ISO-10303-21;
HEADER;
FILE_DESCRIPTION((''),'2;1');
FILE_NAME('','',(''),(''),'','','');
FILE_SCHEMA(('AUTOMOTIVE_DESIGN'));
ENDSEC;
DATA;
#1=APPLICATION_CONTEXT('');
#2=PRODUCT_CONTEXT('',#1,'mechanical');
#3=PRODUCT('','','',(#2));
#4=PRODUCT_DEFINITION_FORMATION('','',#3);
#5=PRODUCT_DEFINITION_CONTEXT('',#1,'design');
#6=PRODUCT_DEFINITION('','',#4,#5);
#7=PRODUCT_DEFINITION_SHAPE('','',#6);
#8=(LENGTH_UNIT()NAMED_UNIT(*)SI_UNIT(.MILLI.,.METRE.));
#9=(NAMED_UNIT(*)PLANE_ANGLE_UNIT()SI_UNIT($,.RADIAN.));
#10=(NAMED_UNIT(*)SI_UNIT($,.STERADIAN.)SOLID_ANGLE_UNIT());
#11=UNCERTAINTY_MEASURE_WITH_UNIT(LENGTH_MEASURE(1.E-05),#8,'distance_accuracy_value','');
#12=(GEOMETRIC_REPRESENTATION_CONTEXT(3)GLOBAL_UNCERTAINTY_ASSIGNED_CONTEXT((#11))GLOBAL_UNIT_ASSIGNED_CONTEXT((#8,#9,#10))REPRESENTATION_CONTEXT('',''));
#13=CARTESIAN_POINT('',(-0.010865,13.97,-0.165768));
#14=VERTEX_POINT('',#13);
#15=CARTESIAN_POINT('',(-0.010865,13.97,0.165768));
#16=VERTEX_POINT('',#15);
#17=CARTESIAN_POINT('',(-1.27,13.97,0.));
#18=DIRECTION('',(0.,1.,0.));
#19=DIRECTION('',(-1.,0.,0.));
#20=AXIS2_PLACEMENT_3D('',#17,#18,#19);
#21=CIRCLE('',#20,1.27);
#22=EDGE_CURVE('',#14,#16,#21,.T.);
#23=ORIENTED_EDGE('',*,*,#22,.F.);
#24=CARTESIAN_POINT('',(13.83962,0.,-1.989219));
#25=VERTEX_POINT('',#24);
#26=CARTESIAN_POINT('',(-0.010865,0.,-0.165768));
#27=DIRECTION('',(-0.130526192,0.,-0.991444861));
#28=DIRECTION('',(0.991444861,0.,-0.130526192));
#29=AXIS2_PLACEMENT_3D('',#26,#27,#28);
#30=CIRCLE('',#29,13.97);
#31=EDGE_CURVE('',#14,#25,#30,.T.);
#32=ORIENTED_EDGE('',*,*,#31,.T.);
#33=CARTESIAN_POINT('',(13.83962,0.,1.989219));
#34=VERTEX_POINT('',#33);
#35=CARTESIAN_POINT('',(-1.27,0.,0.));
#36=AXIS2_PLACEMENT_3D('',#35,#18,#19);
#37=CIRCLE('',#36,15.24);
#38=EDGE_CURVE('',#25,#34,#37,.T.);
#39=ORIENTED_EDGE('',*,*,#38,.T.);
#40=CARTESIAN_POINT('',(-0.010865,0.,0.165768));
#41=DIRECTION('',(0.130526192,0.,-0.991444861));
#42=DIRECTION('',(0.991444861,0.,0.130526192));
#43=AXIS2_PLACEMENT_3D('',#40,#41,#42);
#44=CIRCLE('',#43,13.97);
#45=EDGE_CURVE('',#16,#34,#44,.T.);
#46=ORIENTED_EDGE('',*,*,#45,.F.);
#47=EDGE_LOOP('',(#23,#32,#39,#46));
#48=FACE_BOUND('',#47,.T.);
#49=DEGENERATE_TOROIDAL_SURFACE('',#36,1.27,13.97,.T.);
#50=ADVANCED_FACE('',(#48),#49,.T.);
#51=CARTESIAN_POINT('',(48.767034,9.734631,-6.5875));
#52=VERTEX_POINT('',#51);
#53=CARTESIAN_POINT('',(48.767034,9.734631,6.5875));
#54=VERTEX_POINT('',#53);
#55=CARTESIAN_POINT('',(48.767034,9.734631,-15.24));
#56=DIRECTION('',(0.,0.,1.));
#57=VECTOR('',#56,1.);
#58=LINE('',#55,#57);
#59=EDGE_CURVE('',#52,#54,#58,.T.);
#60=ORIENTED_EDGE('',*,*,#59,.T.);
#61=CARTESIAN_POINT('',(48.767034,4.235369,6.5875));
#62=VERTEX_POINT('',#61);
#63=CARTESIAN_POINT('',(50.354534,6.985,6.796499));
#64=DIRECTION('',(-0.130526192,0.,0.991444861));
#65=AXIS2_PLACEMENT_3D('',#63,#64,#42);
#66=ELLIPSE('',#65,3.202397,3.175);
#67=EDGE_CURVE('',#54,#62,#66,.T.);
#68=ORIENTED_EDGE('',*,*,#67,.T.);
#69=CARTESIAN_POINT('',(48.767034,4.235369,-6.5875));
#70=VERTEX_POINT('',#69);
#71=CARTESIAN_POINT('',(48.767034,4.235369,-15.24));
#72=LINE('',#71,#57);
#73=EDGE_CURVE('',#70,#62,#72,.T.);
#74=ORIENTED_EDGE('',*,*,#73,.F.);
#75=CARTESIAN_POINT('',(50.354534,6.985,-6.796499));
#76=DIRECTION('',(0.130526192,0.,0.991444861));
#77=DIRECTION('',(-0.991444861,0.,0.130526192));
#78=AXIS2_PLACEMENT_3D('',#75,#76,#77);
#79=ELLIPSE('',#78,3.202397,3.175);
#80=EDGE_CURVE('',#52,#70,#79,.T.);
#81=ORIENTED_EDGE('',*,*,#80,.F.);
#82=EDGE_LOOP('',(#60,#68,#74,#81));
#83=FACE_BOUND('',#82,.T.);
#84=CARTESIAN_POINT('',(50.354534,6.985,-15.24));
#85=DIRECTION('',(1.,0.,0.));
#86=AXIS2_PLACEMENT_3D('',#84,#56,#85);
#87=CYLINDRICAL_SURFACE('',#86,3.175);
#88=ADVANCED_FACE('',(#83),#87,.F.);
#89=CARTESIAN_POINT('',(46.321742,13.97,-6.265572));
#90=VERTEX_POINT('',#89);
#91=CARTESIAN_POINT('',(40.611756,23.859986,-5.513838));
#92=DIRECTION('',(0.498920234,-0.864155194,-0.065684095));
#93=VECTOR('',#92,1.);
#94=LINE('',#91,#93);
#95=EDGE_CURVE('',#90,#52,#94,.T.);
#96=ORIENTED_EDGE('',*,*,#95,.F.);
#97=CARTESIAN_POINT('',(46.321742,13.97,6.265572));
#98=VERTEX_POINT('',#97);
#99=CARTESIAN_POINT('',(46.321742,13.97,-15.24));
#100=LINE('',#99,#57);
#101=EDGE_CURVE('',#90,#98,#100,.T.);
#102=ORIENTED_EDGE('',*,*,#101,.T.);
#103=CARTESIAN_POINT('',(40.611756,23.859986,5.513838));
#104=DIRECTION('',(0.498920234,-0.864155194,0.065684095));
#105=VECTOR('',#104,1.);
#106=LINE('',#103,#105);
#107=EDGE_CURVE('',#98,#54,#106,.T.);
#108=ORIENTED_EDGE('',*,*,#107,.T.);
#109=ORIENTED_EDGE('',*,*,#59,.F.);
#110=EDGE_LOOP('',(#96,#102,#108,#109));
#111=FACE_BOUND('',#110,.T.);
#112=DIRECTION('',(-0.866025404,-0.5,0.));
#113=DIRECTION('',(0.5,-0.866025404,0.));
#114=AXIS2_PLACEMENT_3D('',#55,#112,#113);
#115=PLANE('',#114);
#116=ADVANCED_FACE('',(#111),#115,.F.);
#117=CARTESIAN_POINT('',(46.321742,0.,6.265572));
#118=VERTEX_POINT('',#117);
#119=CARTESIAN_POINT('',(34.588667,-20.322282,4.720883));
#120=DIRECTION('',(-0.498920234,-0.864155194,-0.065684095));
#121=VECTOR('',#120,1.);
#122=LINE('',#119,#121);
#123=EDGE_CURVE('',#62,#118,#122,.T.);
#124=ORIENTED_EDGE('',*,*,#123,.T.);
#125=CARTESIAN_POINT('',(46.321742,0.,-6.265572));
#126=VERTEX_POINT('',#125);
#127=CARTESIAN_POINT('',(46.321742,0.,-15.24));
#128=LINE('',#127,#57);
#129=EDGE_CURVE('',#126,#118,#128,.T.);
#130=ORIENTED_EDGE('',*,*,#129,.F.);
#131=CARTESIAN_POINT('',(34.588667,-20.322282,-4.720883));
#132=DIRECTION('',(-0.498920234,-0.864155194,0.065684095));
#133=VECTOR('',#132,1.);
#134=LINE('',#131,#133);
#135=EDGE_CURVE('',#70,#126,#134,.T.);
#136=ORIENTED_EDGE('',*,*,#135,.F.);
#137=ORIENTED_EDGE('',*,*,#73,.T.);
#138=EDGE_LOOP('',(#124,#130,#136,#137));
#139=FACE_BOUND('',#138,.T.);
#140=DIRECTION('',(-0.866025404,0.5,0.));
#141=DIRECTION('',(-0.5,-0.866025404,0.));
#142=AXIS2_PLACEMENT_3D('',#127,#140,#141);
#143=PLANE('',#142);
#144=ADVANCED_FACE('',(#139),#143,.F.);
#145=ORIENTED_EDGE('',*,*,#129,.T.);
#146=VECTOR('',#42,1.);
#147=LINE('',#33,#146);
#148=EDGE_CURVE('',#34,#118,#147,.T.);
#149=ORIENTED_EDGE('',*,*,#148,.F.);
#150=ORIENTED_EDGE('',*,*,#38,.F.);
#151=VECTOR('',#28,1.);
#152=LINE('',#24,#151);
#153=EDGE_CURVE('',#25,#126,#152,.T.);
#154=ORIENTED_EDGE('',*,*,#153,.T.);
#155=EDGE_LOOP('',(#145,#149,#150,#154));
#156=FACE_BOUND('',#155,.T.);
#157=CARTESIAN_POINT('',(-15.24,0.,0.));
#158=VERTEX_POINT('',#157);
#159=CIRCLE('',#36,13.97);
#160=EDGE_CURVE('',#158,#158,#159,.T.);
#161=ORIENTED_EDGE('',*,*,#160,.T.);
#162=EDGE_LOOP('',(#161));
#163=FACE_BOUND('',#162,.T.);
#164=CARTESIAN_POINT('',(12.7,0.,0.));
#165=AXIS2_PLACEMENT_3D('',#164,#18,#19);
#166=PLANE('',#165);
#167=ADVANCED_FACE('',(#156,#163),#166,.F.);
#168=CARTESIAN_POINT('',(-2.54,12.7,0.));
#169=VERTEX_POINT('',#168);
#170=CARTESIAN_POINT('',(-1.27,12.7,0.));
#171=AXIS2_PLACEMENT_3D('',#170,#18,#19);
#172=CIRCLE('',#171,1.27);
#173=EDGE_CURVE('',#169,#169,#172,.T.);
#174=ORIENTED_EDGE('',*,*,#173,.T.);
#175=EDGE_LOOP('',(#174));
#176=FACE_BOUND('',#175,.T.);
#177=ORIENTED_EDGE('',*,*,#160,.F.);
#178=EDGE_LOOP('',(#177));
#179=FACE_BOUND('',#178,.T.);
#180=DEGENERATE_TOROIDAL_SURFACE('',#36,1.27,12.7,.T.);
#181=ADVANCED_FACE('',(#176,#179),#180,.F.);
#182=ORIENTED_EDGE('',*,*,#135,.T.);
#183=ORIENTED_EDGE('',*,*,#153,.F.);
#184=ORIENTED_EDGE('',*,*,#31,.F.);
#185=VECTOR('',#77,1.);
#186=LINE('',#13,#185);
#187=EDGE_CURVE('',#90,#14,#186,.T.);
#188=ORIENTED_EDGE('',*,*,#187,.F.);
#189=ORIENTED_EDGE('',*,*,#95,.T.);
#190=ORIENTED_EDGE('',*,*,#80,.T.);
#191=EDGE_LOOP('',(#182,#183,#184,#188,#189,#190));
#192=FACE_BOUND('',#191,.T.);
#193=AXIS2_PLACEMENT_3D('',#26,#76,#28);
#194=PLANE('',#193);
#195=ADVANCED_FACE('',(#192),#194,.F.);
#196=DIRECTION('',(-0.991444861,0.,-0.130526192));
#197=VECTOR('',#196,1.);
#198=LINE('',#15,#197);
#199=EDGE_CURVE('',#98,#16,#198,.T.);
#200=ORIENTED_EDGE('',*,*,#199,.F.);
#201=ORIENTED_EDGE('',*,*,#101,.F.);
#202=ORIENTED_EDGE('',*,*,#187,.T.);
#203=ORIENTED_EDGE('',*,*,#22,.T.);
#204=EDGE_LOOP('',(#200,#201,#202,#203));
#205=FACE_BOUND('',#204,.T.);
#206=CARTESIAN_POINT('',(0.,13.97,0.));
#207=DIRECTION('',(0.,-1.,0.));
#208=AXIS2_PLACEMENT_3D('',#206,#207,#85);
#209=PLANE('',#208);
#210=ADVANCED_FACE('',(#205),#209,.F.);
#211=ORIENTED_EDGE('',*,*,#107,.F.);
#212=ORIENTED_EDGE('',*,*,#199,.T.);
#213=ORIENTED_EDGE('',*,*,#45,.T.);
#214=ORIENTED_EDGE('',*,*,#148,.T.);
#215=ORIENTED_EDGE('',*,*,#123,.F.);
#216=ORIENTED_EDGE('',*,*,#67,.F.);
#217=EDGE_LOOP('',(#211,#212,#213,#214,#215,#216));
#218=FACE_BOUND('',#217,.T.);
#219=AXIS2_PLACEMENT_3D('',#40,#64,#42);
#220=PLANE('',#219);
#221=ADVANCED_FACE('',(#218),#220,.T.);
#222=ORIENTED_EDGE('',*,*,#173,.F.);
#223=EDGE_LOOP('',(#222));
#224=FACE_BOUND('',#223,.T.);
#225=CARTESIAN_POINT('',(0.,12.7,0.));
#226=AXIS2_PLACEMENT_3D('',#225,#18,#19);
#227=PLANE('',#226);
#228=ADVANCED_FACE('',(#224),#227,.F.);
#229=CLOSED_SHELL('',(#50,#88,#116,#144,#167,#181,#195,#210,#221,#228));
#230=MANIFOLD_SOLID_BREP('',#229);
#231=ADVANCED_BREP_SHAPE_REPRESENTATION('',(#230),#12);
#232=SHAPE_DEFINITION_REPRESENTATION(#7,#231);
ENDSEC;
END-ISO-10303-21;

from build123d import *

# Parameters (mm, degrees)
REVOLVE2_ANGLE           = 7.5
REVOLVE2_OTHER_WAY_ANGLE = 7.5
CUT_EXTRUDE1_DEPTH       = 16.24
CUT_EXTRUDE1_DEPTH_BACK  = 16.24


with BuildPart() as part:
    # Sketch1 → Revolve1 (revolve)
    with BuildSketch(Plane.XY):
        with BuildLine():
            Line((0, 12.7), (-1.27, 12.7))
            Line((-1.27, 12.7), (-1.27, 13.97))
            Line((-1.27, 13.97), (0, 13.97))
            ThreePointArc((0, 13.97), (9.878281733, 9.878281733), (13.97, 0))
            Line((13.97, 0), (12.7, 0))
            ThreePointArc((12.7, 0), (8.980256121, 8.980256121), (0, 12.7))
        make_face()
    revolve(axis=Axis((-1.27, 13.97, 0), (0, -1, 0)))

    # Sketch3 → Revolve2 (revolve)
    with BuildSketch(Plane.XY):
        with BuildLine():
            Line((0, 13.97), (50.8, 13.97))
            Line((50.8, 13.97), (50.8, 0))
            Line((50.8, 0), (13.97, 0))
            ThreePointArc((13.97, 0), (9.878281733, 9.878281733), (0, 13.97))
        make_face()
    revolve(axis=Axis((-1.27, 13.97, 0), (0, -1, 0)), revolution_arc=REVOLVE2_ANGLE)

    # Sketch3 → Revolve2 other way (revolve)
    with BuildSketch(Plane.XY):
        with BuildLine():
            Line((0, 13.97), (50.8, 13.97))
            Line((50.8, 13.97), (50.8, 0))
            Line((50.8, 0), (13.97, 0))
            ThreePointArc((13.97, 0), (9.878281733, 9.878281733), (0, 13.97))
        make_face()
    revolve(axis=Axis((-1.27, 13.97, 0), (0, 1, 0)), revolution_arc=REVOLVE2_OTHER_WAY_ANGLE)

    # Sketch4 → Cut-Extrude1 (cut, two sides)
    with BuildSketch(Plane.XY) as cut_extrude1_sk:
        with BuildLine():
            Line((50.354533932, 13.97), (57.446880617, 13.97))
            Line((57.446880617, 13.97), (57.446880617, -0.511564319))
            Line((57.446880617, -0.511564319), (50.354533932, 0))
            Line((50.354533932, 0), (46.321742301, 0))
            Line((46.321742301, 0), (48.767033932, 4.235369343))
            ThreePointArc((48.767033932, 4.235369343), (47.179533932, 6.985), (48.767033932, 9.734630657))
            Line((48.767033932, 9.734630657), (46.321742301, 13.97))
            Line((46.321742301, 13.97), (50.354533932, 13.97))
        make_face()
    extrude(amount=CUT_EXTRUDE1_DEPTH, mode=Mode.SUBTRACT)
    extrude(cut_extrude1_sk.sketch, amount=-CUT_EXTRUDE1_DEPTH_BACK, mode=Mode.SUBTRACT)


solid = part.part
